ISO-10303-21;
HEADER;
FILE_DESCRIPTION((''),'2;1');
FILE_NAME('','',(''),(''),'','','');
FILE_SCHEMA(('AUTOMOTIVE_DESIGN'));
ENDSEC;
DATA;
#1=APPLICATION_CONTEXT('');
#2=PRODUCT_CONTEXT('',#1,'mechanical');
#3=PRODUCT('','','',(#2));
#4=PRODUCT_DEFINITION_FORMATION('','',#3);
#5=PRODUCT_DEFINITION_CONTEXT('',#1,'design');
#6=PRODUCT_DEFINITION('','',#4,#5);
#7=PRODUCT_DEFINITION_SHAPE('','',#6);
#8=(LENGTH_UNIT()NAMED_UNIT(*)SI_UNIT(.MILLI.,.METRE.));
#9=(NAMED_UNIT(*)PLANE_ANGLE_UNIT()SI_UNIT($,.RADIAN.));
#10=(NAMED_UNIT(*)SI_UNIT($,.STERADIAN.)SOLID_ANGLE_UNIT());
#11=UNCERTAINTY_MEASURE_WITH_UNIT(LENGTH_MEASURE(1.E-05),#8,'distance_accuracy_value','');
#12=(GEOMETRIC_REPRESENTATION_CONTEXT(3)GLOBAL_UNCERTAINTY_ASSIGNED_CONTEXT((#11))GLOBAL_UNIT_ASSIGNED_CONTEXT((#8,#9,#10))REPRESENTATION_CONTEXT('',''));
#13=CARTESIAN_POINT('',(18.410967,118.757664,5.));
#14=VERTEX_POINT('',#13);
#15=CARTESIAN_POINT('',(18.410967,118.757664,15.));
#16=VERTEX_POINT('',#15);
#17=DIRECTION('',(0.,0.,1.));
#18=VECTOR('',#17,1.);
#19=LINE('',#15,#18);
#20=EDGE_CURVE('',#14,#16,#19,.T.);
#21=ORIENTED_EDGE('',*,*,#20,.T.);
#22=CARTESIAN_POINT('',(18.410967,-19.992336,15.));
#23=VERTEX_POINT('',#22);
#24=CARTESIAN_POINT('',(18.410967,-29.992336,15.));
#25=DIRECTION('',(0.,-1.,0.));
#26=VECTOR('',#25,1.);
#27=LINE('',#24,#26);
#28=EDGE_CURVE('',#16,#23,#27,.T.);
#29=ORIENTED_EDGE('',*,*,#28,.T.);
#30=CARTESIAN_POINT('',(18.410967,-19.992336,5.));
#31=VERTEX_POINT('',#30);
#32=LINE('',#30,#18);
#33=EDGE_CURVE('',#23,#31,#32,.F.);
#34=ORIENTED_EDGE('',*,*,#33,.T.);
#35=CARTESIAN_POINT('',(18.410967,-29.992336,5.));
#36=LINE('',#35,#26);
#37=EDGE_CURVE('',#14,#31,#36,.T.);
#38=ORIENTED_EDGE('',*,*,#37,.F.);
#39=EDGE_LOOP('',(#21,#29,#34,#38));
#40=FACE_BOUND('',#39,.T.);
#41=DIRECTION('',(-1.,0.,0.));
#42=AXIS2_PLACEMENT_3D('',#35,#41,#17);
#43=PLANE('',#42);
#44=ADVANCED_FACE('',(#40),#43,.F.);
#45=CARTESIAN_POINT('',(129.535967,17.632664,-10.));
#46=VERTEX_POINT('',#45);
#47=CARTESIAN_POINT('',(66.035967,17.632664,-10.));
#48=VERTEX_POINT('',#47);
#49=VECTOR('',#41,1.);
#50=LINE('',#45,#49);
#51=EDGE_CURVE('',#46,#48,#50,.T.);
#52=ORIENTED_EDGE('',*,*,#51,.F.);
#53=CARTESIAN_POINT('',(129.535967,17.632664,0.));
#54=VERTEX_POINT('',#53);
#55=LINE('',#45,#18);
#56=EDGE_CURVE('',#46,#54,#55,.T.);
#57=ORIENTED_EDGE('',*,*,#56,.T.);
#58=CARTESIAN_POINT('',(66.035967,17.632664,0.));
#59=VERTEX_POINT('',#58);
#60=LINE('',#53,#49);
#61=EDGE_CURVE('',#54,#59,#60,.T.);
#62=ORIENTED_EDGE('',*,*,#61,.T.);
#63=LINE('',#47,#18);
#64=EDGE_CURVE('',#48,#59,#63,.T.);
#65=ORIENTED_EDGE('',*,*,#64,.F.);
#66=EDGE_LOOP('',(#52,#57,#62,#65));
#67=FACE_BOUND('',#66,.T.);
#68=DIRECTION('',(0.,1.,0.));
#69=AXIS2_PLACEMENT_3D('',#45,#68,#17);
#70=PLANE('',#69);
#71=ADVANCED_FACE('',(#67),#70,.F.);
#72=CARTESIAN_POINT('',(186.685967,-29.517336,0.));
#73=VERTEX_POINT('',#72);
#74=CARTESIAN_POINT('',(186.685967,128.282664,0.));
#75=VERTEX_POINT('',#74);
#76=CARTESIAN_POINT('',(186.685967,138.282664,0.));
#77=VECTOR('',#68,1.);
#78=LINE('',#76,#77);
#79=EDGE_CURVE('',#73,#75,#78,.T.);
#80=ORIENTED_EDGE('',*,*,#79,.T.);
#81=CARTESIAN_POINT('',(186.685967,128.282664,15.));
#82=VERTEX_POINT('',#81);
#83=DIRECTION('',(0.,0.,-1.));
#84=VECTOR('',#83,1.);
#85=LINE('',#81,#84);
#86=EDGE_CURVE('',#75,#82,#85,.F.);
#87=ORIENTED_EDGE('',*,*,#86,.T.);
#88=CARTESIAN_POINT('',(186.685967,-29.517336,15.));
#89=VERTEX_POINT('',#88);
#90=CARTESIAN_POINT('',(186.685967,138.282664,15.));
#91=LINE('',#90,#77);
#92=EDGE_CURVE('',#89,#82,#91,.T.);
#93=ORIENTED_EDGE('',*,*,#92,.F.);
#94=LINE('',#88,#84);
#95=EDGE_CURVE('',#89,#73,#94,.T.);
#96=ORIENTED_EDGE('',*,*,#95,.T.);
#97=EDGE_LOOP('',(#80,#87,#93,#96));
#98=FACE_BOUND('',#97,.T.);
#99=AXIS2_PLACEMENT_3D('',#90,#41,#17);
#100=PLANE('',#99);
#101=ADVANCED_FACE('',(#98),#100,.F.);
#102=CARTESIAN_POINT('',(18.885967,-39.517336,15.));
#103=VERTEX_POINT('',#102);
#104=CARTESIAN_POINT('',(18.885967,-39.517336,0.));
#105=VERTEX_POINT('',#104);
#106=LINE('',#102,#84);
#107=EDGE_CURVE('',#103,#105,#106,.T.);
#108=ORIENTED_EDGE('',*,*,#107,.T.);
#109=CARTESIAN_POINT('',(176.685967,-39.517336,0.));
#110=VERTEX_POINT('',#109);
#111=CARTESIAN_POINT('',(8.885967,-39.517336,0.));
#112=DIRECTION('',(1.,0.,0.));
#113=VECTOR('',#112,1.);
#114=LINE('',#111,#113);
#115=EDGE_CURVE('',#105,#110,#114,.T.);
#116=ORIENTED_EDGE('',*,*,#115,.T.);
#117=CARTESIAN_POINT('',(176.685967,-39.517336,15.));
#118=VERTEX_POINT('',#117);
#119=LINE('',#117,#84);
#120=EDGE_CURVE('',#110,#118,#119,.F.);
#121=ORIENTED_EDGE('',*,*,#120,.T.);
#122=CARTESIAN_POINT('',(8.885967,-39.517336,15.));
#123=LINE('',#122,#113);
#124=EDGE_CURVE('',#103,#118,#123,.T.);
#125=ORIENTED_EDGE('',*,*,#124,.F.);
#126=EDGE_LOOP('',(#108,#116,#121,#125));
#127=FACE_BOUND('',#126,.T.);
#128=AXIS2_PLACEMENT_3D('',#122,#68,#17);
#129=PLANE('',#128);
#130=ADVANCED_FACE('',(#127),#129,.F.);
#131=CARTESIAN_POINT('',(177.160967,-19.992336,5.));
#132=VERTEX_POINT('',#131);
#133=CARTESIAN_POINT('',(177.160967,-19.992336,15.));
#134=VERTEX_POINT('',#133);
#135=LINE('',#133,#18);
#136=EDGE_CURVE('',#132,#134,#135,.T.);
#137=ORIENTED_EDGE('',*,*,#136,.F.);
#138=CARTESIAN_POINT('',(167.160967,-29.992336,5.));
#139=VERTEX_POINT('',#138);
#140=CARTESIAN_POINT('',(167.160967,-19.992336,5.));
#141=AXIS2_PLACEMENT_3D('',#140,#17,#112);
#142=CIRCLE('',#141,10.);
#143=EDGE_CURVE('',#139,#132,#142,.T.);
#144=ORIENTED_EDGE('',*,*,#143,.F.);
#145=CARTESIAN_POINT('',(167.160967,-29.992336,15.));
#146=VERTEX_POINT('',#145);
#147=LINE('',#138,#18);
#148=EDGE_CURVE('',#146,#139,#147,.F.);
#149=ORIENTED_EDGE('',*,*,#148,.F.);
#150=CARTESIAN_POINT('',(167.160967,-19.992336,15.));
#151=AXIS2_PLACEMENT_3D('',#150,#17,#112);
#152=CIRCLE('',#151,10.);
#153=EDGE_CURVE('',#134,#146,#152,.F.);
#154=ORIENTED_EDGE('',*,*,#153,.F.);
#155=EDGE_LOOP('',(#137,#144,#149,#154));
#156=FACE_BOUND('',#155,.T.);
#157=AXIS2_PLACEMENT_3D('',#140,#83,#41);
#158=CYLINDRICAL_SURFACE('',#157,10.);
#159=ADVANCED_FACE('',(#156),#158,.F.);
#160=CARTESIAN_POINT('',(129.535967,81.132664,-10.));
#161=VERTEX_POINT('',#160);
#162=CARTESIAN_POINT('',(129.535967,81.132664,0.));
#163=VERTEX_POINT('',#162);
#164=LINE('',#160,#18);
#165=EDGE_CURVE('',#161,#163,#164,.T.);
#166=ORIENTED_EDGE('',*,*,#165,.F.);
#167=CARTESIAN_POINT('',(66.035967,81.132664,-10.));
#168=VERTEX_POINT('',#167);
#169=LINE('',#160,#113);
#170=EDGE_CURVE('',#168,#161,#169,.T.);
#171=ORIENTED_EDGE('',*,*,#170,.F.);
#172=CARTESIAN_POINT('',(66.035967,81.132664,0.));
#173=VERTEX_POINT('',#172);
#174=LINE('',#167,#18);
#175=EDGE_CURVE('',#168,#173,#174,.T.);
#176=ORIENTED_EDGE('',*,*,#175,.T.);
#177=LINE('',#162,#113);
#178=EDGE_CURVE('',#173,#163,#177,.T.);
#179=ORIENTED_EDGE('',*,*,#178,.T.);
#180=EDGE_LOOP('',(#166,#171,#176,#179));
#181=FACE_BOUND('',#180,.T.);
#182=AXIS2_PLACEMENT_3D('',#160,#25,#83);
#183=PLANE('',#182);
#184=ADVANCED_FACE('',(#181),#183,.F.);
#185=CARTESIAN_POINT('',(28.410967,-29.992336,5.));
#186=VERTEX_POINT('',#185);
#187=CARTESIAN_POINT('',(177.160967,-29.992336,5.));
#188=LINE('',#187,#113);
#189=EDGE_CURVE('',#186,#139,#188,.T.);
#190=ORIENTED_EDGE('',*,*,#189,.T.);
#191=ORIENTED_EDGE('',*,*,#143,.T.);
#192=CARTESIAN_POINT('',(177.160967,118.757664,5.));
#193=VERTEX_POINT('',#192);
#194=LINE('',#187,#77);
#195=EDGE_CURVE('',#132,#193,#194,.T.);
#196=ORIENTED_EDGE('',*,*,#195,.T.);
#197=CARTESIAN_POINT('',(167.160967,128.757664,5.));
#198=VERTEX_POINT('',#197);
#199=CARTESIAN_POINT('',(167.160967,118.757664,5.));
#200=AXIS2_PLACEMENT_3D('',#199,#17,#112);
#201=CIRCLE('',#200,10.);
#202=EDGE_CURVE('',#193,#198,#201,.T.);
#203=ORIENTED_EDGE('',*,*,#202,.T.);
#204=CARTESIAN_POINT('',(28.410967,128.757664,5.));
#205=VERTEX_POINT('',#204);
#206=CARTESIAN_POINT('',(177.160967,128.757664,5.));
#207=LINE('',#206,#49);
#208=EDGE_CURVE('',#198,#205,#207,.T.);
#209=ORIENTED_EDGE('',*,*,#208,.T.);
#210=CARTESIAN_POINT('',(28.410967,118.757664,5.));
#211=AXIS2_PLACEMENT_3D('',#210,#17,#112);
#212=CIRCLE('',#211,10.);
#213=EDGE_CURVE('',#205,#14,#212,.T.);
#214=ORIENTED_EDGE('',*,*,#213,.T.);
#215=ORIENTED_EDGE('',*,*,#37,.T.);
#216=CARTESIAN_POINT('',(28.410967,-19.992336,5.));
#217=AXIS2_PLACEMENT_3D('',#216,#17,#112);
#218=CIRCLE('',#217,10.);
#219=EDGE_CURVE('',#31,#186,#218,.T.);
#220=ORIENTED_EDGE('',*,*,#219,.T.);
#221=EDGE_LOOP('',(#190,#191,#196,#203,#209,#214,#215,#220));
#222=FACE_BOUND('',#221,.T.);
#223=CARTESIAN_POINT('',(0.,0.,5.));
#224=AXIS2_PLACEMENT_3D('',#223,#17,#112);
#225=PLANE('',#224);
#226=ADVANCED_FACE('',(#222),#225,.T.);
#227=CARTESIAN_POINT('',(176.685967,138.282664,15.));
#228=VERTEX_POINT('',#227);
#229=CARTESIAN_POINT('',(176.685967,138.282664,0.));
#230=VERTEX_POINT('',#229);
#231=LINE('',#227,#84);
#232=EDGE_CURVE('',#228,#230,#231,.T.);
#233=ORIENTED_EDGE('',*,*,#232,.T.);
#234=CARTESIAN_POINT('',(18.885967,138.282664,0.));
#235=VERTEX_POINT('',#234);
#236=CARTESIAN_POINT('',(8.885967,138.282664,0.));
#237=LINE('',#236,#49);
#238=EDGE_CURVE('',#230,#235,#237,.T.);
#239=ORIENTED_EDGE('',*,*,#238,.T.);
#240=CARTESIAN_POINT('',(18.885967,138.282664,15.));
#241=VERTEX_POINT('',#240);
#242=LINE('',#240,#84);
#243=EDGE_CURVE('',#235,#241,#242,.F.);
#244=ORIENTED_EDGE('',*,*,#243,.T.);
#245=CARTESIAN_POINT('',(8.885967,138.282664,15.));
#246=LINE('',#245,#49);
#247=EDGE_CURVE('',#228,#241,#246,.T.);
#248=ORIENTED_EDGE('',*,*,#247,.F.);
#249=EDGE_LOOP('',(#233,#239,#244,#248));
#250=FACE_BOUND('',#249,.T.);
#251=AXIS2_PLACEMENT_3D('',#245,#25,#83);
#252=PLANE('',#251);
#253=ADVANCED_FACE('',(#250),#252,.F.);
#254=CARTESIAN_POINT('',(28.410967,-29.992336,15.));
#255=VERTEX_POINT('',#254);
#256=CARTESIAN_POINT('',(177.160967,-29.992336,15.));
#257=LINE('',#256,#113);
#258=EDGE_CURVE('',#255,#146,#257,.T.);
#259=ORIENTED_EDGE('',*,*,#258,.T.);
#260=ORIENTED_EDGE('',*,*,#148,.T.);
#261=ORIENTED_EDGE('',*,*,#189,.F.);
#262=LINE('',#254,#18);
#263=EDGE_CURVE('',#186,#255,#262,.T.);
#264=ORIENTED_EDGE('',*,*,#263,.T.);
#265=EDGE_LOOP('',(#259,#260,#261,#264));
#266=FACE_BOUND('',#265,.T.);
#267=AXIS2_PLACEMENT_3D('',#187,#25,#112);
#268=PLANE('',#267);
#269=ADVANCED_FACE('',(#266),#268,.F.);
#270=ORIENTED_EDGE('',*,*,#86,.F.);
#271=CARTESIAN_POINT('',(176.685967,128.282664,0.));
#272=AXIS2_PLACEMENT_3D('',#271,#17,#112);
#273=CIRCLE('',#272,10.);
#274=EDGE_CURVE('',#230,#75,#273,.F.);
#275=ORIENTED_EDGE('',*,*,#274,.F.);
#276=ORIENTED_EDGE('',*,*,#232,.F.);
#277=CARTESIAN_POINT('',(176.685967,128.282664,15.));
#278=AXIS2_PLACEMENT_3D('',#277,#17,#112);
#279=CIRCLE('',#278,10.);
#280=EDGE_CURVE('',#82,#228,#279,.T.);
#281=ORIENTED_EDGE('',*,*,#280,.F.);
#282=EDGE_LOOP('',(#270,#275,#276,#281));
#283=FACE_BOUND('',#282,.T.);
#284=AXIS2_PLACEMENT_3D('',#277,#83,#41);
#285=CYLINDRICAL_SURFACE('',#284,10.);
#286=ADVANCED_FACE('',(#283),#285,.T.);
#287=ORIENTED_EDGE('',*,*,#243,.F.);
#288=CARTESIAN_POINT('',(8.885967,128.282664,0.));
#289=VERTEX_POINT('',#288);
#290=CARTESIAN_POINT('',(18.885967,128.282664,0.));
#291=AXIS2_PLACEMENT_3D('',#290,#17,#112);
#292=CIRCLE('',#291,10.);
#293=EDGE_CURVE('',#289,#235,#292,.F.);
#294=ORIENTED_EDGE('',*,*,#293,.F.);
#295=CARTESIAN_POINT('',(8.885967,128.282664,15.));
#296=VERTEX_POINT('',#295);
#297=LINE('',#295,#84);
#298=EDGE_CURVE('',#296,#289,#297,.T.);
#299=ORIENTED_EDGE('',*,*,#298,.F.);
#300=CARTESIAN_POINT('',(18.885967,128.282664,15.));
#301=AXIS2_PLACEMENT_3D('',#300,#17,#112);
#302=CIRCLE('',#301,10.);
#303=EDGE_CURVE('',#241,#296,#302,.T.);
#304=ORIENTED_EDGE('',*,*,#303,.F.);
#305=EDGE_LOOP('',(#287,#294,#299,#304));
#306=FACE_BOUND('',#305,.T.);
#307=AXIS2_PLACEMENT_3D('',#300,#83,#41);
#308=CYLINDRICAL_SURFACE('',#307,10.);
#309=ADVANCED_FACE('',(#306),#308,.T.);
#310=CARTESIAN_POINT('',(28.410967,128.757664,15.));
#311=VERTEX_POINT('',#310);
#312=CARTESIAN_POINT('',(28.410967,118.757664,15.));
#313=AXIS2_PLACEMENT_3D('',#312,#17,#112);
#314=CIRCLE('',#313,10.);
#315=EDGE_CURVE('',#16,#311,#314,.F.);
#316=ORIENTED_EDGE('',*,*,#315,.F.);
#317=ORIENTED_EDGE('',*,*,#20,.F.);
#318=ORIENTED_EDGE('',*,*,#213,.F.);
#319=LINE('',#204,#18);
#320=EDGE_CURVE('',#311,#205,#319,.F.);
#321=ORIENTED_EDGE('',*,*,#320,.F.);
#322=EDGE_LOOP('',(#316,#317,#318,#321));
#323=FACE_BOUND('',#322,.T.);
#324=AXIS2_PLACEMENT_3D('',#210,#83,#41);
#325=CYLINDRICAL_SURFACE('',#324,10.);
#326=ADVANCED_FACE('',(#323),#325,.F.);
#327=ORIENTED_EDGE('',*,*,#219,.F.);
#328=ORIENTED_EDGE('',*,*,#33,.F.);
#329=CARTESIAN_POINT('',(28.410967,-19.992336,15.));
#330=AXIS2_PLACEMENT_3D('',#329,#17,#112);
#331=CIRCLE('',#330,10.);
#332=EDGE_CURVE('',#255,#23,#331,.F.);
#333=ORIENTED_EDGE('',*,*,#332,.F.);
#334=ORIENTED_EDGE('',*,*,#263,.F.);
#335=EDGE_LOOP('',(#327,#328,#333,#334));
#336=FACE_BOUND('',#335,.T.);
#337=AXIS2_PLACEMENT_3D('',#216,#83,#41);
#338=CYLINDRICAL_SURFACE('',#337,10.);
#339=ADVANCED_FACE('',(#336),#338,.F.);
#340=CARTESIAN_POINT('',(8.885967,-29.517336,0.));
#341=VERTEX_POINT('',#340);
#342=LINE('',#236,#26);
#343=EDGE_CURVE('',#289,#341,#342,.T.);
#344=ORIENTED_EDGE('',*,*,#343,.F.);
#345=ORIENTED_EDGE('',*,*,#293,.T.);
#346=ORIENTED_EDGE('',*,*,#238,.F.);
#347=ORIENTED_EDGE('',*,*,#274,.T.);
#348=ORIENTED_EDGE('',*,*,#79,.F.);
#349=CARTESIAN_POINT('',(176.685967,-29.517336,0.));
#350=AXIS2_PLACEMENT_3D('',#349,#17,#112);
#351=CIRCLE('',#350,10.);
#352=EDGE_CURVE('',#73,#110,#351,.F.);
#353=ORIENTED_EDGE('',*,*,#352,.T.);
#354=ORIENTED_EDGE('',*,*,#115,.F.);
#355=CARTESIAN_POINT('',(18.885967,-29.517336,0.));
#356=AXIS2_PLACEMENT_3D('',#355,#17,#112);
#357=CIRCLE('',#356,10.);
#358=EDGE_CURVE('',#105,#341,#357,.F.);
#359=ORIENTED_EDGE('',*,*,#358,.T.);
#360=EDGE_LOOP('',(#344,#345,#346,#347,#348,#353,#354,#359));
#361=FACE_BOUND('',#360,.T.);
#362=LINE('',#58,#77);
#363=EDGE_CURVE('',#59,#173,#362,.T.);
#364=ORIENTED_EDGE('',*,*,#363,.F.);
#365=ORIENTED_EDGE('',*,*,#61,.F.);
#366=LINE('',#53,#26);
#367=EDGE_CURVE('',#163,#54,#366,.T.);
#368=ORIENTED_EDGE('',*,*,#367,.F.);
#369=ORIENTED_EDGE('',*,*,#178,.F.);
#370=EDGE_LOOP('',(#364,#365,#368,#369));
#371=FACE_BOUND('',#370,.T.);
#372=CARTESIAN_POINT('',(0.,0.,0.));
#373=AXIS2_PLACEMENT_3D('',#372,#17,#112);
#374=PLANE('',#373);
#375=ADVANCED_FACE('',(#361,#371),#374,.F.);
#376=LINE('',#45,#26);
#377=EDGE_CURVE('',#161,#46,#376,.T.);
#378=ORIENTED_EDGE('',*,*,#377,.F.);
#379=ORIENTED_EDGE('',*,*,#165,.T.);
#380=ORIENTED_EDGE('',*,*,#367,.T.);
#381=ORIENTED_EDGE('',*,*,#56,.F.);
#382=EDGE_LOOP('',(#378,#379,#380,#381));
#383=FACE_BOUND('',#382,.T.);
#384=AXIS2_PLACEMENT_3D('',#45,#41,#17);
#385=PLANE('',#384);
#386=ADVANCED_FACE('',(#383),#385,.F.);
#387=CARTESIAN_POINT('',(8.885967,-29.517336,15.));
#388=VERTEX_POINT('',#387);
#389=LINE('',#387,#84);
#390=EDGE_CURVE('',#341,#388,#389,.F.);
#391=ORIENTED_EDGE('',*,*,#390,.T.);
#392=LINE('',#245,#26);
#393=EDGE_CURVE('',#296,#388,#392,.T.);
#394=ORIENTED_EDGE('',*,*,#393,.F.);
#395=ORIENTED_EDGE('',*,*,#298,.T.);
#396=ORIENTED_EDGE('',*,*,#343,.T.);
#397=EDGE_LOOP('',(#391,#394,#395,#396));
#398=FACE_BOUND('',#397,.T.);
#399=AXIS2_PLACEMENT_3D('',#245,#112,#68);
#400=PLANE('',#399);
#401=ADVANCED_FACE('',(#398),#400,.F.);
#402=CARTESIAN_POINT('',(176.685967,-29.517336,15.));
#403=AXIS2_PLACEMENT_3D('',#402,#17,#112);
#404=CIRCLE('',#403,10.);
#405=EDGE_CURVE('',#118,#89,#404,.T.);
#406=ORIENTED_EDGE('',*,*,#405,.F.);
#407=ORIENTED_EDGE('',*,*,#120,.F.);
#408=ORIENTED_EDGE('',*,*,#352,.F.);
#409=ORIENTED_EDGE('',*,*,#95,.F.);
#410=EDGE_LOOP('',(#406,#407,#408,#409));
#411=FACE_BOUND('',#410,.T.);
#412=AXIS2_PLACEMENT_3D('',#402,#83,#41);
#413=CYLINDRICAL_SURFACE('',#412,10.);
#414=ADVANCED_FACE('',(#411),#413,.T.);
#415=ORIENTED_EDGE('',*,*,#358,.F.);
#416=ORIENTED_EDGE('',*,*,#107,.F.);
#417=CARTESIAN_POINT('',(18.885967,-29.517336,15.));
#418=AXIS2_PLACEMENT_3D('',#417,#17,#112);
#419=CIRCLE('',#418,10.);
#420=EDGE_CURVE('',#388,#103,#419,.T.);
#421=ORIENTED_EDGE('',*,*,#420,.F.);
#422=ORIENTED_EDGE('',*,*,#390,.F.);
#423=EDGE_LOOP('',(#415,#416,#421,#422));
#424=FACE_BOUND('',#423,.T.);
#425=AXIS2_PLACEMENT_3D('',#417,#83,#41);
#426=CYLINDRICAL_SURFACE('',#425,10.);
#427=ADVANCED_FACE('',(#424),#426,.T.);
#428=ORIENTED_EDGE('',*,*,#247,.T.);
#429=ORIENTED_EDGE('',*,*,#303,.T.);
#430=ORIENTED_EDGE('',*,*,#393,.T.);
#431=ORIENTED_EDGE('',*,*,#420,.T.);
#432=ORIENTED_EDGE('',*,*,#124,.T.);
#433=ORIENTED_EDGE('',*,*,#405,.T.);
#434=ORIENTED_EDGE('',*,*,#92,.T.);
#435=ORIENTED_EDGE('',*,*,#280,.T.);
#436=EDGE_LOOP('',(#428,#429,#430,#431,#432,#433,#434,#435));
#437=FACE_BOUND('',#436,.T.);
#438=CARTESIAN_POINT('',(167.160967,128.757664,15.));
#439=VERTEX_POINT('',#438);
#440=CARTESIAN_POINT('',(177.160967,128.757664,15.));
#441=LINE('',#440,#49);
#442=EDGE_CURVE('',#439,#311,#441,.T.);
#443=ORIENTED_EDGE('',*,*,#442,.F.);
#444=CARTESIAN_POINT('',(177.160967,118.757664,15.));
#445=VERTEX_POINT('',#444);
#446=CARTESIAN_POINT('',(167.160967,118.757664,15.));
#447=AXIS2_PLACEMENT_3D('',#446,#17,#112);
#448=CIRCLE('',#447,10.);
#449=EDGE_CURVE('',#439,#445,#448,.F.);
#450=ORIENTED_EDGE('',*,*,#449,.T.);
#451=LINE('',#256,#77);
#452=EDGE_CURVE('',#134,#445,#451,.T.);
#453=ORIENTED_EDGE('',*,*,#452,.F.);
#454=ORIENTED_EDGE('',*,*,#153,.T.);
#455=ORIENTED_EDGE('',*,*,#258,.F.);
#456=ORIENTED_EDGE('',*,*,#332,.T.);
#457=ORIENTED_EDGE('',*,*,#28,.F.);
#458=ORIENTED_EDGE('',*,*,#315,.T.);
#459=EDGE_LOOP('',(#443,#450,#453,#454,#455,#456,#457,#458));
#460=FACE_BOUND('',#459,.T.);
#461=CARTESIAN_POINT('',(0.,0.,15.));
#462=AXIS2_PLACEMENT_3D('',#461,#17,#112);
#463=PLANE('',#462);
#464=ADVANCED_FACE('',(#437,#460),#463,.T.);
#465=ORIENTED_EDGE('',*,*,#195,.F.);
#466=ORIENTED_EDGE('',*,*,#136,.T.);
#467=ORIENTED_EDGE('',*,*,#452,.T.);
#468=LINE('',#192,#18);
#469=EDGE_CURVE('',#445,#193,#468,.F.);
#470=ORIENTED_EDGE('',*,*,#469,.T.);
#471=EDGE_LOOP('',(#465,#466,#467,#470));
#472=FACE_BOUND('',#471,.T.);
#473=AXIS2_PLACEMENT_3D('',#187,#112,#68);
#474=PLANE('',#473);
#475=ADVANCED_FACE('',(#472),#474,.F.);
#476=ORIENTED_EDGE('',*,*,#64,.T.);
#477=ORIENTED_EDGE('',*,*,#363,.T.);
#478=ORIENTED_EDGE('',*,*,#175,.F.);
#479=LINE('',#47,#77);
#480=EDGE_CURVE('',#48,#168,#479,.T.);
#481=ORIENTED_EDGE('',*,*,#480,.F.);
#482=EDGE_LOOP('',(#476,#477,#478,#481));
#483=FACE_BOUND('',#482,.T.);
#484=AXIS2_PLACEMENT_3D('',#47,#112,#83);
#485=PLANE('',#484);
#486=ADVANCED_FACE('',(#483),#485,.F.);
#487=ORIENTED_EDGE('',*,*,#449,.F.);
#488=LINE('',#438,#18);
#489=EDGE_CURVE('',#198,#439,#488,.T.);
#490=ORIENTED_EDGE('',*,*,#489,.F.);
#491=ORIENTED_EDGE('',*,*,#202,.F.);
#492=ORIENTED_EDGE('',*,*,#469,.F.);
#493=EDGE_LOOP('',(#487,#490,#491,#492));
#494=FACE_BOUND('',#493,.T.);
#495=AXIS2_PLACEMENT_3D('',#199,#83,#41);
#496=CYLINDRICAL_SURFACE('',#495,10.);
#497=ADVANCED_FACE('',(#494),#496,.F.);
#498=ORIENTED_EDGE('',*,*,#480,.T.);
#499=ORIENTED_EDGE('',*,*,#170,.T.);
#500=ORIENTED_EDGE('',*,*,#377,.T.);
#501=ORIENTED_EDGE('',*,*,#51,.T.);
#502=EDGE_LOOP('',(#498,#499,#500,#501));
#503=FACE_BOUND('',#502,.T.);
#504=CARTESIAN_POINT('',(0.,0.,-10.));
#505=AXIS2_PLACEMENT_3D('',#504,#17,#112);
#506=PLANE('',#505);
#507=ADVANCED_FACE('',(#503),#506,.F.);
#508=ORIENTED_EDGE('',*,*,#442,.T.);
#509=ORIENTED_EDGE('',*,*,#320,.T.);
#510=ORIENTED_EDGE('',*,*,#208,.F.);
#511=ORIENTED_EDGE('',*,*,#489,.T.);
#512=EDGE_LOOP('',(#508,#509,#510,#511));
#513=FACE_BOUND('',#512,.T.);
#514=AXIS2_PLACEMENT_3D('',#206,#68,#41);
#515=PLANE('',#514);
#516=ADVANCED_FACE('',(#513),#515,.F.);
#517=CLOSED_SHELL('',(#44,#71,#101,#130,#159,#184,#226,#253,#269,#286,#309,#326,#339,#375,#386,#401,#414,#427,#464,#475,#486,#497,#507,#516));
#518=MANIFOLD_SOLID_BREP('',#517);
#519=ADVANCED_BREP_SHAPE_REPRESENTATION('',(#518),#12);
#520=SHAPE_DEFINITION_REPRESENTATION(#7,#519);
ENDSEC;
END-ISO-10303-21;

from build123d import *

# Parameters (mm, degrees)
SKETCH1_W           = 177.8
SKETCH1_H           = 177.8
BOSS_EXTRUDE1_DEPTH = 15
SKETCH2_W           = 158.75
SKETCH2_H           = 158.75
CUT_EXTRUDE1_DEPTH  = 10
FILLET1_R           = 10
SKETCH3_W           = 63.5
SKETCH3_H           = 63.5
BOSS_EXTRUDE2_DEPTH = 10


with BuildPart() as part:
    # Sketch1 → Boss-Extrude1 (new body)
    with BuildSketch(Plane.XY):
        with Locations((97.785967035, 49.382663919)):
            Rectangle(SKETCH1_W, SKETCH1_H)
    extrude(amount=BOSS_EXTRUDE1_DEPTH)

    # Sketch2 → Cut-Extrude1 (cut)
    with BuildSketch(Plane.XY.offset(15)):
        with Locations((97.785967035, 49.382663919)):
            Rectangle(SKETCH2_W, SKETCH2_H)
    extrude(amount=-CUT_EXTRUDE1_DEPTH, mode=Mode.SUBTRACT)

    # Fillet1
    fillet1_edges = [part.edges().sort_by_distance(p)[0] for p in [
        (177.160967035, 128.757663919, 10),
        (177.160967035, -29.992336081, 10),
        (18.410967035, -29.992336081, 10),
        (18.410967035, 128.757663919, 10),
        (8.885967035, 138.282663919, 7.5),
        (186.685967035, 138.282663919, 7.5),
        (186.685967035, -39.517336081, 7.5),
        (8.885967035, -39.517336081, 7.5),
    ]]
    fillet(fillet1_edges, radius=FILLET1_R)

    # Sketch3 → Boss-Extrude2 (add)
    with BuildSketch(Plane(origin=(0, 0, 0), x_dir=(-1, 0, 0), z_dir=(0, 0, -1))):
        with Locations((-97.785967035, 49.382663919)):
            Rectangle(SKETCH3_W, SKETCH3_H)
    extrude(amount=BOSS_EXTRUDE2_DEPTH)


solid = part.part
